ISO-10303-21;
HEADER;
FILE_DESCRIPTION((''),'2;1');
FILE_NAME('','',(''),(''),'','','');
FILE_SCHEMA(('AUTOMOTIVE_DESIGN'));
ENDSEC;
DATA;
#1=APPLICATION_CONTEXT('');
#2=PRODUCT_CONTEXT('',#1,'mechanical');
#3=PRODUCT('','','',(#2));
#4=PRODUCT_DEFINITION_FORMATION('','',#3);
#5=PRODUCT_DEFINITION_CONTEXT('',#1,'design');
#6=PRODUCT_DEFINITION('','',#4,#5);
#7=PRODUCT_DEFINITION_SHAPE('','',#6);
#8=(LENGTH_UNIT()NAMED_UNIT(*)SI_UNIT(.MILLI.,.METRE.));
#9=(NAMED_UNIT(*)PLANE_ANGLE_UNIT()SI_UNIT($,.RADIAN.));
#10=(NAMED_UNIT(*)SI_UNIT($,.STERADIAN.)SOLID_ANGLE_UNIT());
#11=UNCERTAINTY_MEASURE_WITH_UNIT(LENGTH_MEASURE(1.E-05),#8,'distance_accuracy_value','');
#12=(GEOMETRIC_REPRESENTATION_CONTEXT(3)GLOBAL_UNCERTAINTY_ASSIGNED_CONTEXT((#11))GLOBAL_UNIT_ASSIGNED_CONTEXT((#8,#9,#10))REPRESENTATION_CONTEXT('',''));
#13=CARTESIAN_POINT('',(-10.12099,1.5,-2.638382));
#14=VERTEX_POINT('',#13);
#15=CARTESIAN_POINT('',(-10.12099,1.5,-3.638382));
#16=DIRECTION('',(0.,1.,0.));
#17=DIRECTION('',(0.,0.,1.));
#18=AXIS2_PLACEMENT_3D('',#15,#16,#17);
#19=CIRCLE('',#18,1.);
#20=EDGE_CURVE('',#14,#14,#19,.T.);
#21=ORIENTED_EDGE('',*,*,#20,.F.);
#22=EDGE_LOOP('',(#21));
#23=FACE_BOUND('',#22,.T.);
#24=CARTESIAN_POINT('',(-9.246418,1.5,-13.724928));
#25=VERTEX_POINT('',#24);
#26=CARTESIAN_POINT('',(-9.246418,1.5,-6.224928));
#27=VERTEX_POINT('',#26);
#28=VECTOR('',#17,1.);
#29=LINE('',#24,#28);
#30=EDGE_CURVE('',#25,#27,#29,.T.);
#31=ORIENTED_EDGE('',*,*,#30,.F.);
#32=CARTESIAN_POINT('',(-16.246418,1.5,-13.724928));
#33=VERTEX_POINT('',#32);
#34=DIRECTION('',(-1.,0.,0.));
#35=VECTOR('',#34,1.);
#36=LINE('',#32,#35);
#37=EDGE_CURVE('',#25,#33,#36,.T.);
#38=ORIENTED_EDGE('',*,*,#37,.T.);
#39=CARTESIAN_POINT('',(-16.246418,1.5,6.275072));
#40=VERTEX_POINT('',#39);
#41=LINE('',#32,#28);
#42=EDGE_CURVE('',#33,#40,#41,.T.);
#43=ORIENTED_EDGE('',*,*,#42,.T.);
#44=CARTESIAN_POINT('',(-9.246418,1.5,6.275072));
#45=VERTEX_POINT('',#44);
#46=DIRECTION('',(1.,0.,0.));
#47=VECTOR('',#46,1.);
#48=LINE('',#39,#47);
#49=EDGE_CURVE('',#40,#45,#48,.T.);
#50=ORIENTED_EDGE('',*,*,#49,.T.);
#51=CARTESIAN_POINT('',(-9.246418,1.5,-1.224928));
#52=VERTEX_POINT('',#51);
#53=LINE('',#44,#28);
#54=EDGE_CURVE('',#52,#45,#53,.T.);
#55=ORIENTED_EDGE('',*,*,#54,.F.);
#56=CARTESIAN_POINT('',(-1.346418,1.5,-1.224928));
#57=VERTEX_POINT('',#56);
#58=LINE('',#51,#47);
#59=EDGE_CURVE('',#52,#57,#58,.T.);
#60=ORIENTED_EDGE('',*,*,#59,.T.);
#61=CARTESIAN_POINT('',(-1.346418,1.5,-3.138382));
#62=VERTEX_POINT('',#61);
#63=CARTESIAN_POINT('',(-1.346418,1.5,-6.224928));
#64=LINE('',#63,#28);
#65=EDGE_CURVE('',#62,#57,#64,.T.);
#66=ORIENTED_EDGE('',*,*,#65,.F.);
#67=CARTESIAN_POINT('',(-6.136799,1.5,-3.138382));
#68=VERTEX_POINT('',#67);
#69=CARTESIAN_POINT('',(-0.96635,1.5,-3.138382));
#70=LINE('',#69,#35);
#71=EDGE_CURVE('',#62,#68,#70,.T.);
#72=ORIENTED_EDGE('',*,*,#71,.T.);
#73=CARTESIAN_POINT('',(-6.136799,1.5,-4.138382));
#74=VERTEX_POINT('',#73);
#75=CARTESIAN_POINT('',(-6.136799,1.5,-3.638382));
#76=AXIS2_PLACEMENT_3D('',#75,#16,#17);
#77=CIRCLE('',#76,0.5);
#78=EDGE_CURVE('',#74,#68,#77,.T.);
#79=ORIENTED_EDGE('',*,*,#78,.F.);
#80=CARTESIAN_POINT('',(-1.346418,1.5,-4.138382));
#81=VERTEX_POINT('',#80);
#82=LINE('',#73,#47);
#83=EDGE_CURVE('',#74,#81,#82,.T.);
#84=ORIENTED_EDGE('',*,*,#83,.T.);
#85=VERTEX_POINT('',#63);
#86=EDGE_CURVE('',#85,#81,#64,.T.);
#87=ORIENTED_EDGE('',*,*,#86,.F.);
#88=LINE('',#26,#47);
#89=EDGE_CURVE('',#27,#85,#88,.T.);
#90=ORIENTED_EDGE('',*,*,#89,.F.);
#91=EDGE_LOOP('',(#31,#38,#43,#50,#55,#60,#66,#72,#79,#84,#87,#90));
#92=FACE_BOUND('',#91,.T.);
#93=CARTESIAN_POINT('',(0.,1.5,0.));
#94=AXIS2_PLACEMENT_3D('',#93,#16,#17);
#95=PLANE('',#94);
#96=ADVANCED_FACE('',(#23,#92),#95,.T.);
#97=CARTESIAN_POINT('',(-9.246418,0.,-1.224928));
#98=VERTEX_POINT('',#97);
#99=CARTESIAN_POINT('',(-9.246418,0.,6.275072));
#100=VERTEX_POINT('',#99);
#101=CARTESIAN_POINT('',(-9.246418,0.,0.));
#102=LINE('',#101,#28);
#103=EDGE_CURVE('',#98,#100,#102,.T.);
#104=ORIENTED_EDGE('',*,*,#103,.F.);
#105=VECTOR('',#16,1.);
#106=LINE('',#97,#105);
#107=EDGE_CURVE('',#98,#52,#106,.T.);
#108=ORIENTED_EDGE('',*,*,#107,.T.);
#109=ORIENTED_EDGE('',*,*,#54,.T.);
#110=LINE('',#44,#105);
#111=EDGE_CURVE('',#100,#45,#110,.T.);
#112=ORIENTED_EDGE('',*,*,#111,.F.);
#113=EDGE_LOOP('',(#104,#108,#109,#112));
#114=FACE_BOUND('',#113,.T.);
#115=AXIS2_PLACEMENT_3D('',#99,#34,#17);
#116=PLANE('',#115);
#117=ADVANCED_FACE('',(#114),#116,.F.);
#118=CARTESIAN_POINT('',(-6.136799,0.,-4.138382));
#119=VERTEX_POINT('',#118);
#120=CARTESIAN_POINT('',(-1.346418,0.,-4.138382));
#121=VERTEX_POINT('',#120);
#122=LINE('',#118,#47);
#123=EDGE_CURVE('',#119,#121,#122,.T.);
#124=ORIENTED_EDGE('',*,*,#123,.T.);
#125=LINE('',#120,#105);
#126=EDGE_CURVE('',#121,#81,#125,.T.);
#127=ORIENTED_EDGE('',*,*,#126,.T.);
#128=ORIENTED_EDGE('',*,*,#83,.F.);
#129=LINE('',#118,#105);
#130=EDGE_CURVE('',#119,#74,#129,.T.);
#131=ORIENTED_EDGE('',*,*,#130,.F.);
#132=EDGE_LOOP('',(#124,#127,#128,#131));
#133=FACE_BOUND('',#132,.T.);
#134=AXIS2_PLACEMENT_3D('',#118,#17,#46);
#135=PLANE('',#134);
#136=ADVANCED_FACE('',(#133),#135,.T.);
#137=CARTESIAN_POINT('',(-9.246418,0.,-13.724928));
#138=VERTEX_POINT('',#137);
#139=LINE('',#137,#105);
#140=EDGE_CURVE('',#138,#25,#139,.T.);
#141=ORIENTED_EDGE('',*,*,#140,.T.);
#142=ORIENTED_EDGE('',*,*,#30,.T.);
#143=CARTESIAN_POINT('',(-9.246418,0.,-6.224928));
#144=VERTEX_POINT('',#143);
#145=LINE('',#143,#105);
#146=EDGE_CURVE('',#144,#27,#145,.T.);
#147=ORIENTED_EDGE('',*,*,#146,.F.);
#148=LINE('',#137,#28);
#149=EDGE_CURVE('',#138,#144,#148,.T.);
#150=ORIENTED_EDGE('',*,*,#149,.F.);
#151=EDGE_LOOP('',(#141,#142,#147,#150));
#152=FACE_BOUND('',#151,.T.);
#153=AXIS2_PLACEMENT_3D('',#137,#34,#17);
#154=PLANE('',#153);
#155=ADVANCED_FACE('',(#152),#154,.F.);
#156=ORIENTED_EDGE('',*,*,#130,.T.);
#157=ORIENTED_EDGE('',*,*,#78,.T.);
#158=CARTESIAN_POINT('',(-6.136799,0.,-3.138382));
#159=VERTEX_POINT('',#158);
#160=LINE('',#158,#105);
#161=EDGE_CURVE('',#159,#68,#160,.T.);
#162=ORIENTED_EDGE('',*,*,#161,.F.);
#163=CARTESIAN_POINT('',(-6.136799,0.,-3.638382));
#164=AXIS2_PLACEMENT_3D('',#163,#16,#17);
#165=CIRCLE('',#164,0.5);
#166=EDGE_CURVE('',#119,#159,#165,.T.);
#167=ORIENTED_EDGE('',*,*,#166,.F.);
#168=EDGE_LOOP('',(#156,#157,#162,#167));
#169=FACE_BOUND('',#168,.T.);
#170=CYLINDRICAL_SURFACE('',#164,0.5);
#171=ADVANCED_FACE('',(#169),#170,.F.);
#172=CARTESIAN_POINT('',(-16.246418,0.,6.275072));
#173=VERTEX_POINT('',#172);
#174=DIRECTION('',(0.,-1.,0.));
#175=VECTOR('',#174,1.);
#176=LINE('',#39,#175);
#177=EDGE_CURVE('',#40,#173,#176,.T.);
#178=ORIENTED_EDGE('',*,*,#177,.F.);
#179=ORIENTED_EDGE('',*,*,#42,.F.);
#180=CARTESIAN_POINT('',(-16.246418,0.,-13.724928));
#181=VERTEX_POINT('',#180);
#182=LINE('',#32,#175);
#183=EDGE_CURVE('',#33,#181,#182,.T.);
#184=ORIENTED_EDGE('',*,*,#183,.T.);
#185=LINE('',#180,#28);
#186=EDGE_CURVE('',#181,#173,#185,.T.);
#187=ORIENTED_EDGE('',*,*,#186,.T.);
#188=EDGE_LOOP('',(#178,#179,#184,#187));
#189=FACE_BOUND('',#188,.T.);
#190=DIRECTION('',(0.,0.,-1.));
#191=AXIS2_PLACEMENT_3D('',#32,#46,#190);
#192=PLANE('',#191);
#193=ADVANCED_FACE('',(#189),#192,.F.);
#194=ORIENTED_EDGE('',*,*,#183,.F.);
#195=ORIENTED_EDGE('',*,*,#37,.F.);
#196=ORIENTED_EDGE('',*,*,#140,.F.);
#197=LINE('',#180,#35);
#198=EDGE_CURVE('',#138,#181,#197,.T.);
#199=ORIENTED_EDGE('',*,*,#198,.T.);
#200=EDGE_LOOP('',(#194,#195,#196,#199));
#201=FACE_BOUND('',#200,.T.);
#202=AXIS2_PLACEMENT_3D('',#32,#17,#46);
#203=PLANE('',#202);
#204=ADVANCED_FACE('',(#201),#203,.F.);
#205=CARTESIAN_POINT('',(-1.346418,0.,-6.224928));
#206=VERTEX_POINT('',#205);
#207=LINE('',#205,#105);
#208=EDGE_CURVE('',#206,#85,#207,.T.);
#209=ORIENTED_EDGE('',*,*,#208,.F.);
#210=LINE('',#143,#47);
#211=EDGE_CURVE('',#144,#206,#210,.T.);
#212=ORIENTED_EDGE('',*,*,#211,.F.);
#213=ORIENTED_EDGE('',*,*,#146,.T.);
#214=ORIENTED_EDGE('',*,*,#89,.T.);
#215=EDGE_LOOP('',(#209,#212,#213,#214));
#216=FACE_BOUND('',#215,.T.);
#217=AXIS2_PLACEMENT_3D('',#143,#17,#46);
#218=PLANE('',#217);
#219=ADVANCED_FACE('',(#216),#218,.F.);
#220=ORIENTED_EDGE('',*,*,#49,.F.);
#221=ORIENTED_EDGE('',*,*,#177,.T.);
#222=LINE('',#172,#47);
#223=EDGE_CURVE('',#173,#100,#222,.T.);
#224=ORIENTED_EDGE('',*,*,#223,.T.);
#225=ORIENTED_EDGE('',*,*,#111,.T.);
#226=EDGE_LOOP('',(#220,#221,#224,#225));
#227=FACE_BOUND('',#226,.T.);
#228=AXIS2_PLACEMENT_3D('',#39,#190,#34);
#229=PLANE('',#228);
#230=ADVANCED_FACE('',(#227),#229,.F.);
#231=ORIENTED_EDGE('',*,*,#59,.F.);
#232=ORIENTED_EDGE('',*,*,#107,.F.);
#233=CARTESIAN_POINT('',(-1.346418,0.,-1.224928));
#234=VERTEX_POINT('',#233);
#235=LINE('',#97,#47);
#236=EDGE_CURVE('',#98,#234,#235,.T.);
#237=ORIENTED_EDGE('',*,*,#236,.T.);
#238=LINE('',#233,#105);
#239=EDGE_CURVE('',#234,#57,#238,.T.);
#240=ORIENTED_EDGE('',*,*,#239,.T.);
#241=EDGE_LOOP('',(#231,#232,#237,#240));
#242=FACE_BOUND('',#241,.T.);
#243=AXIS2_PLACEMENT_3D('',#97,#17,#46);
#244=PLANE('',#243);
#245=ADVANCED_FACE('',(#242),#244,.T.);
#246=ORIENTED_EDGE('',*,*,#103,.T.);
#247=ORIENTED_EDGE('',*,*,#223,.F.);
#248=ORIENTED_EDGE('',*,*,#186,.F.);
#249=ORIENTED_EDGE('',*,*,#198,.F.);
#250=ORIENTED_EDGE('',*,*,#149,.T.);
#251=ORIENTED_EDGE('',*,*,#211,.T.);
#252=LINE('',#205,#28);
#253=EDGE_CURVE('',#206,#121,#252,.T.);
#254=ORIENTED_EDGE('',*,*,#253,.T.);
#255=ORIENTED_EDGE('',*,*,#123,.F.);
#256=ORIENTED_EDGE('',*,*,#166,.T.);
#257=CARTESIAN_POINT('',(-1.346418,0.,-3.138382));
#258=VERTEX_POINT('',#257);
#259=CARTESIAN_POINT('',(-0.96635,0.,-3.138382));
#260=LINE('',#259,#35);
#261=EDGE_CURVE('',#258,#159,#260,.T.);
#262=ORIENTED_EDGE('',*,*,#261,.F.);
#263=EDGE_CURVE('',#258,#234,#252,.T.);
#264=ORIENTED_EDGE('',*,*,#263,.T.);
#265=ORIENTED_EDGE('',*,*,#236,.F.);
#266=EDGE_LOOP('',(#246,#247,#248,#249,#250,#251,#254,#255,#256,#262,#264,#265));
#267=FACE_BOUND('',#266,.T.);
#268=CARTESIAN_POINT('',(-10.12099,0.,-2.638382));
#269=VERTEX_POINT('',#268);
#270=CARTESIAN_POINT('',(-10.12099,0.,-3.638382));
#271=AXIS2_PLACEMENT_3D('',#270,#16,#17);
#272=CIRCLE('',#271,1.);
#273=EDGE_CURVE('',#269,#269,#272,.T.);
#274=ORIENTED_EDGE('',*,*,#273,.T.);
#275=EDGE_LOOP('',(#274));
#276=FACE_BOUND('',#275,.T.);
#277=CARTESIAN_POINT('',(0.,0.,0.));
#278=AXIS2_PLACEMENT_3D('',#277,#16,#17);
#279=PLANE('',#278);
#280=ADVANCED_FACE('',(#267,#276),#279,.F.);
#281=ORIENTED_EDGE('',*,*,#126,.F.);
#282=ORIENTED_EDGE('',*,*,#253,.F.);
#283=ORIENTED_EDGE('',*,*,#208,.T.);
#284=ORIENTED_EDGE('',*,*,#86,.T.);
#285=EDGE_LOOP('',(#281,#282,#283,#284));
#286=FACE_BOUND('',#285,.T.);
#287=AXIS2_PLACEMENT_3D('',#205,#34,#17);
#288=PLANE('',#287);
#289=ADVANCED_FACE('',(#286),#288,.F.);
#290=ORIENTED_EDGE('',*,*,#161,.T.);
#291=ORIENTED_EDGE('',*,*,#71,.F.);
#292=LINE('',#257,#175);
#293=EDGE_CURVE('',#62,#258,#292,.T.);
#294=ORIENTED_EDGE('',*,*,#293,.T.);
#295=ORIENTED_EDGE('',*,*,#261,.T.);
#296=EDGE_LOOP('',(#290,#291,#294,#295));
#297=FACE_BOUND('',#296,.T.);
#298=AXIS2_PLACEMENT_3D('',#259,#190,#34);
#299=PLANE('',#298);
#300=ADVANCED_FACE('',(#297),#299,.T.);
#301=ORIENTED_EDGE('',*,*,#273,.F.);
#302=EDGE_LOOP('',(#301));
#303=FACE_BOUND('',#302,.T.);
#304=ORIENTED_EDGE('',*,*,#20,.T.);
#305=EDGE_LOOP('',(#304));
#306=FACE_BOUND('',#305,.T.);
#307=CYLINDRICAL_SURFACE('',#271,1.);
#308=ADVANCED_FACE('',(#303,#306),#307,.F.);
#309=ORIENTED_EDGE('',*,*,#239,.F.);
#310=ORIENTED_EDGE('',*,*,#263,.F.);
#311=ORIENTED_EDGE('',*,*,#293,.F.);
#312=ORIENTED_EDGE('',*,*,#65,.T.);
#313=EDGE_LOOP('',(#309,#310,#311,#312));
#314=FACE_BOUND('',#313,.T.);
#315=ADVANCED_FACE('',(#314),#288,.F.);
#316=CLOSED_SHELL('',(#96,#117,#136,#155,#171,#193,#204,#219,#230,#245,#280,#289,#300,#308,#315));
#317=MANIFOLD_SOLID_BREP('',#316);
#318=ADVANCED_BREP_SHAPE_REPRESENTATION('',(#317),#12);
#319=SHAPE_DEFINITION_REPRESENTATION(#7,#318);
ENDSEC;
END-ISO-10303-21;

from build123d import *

# Parameters (mm, degrees)
SKETCH1_W           = 15
SKETCH1_H           = 20
BOSS_EXTRUDE1_DEPTH = 1.5
SKETCH2_R           = 1
CUT_EXTRUDE1_DEPTH  = 1.5
CUT_EXTRUDE2_DEPTH  = 1.5
CUT_EXTRUDE3_DEPTH  = 1.5


with BuildPart() as part:
    # Sketch1 → Boss-Extrude1 (new body)
    with BuildSketch(Plane(origin=(0, 0, 0), x_dir=(1, 0, 0), z_dir=(0, 1, 0))):
        with Locations((-8.746418338, 3.724928367)):
            Rectangle(SKETCH1_W, SKETCH1_H)
    extrude(amount=BOSS_EXTRUDE1_DEPTH)

    # Sketch2 → Cut-Extrude1 (cut)
    with BuildSketch(Plane(origin=(0, 1.5, 0), x_dir=(1, 0, 0), z_dir=(0, 1, 0))):
        with Locations((-10.120989787, 3.638381578)):
            Circle(SKETCH2_R)
    extrude(amount=-CUT_EXTRUDE1_DEPTH, mode=Mode.SUBTRACT)

    # Sketch3 → Cut-Extrude2 (cut)
    with BuildSketch(Plane(origin=(0, 1.5, 0), x_dir=(1, 0, 0), z_dir=(0, 1, 0))):
        Polygon((-9.246418338, -6.275071633), (-9.246418338, -7.482454252), (1.99298081, -6.056034197), (1.99298081, 15.151348422), (-9.246418338, 13.724928367), (-9.246418338, 6.224928381), (-1.346418338, 6.224928381), (-1.346418338, 1.224928353), (-9.246418338, 1.224928353), align=None)
    extrude(amount=-CUT_EXTRUDE2_DEPTH, mode=Mode.SUBTRACT)

    # Sketch4 → Cut-Extrude3 (cut)
    with BuildSketch(Plane(origin=(0, 1.5, 0), x_dir=(1, 0, 0), z_dir=(0, 1, 0))):
        with BuildLine():
            Line((-6.136798849, 4.138381578), (-0.966349773, 4.138381578))
            Line((-0.966349773, 4.138381578), (-0.966349773, 3.138381578))
            Line((-0.966349773, 3.138381578), (-6.136798849, 3.138381578))
            ThreePointArc((-6.136798849, 3.138381578), (-6.636798849, 3.638381578), (-6.136798849, 4.138381578))
        make_face()
    extrude(amount=-CUT_EXTRUDE3_DEPTH, mode=Mode.SUBTRACT)


solid = part.part
